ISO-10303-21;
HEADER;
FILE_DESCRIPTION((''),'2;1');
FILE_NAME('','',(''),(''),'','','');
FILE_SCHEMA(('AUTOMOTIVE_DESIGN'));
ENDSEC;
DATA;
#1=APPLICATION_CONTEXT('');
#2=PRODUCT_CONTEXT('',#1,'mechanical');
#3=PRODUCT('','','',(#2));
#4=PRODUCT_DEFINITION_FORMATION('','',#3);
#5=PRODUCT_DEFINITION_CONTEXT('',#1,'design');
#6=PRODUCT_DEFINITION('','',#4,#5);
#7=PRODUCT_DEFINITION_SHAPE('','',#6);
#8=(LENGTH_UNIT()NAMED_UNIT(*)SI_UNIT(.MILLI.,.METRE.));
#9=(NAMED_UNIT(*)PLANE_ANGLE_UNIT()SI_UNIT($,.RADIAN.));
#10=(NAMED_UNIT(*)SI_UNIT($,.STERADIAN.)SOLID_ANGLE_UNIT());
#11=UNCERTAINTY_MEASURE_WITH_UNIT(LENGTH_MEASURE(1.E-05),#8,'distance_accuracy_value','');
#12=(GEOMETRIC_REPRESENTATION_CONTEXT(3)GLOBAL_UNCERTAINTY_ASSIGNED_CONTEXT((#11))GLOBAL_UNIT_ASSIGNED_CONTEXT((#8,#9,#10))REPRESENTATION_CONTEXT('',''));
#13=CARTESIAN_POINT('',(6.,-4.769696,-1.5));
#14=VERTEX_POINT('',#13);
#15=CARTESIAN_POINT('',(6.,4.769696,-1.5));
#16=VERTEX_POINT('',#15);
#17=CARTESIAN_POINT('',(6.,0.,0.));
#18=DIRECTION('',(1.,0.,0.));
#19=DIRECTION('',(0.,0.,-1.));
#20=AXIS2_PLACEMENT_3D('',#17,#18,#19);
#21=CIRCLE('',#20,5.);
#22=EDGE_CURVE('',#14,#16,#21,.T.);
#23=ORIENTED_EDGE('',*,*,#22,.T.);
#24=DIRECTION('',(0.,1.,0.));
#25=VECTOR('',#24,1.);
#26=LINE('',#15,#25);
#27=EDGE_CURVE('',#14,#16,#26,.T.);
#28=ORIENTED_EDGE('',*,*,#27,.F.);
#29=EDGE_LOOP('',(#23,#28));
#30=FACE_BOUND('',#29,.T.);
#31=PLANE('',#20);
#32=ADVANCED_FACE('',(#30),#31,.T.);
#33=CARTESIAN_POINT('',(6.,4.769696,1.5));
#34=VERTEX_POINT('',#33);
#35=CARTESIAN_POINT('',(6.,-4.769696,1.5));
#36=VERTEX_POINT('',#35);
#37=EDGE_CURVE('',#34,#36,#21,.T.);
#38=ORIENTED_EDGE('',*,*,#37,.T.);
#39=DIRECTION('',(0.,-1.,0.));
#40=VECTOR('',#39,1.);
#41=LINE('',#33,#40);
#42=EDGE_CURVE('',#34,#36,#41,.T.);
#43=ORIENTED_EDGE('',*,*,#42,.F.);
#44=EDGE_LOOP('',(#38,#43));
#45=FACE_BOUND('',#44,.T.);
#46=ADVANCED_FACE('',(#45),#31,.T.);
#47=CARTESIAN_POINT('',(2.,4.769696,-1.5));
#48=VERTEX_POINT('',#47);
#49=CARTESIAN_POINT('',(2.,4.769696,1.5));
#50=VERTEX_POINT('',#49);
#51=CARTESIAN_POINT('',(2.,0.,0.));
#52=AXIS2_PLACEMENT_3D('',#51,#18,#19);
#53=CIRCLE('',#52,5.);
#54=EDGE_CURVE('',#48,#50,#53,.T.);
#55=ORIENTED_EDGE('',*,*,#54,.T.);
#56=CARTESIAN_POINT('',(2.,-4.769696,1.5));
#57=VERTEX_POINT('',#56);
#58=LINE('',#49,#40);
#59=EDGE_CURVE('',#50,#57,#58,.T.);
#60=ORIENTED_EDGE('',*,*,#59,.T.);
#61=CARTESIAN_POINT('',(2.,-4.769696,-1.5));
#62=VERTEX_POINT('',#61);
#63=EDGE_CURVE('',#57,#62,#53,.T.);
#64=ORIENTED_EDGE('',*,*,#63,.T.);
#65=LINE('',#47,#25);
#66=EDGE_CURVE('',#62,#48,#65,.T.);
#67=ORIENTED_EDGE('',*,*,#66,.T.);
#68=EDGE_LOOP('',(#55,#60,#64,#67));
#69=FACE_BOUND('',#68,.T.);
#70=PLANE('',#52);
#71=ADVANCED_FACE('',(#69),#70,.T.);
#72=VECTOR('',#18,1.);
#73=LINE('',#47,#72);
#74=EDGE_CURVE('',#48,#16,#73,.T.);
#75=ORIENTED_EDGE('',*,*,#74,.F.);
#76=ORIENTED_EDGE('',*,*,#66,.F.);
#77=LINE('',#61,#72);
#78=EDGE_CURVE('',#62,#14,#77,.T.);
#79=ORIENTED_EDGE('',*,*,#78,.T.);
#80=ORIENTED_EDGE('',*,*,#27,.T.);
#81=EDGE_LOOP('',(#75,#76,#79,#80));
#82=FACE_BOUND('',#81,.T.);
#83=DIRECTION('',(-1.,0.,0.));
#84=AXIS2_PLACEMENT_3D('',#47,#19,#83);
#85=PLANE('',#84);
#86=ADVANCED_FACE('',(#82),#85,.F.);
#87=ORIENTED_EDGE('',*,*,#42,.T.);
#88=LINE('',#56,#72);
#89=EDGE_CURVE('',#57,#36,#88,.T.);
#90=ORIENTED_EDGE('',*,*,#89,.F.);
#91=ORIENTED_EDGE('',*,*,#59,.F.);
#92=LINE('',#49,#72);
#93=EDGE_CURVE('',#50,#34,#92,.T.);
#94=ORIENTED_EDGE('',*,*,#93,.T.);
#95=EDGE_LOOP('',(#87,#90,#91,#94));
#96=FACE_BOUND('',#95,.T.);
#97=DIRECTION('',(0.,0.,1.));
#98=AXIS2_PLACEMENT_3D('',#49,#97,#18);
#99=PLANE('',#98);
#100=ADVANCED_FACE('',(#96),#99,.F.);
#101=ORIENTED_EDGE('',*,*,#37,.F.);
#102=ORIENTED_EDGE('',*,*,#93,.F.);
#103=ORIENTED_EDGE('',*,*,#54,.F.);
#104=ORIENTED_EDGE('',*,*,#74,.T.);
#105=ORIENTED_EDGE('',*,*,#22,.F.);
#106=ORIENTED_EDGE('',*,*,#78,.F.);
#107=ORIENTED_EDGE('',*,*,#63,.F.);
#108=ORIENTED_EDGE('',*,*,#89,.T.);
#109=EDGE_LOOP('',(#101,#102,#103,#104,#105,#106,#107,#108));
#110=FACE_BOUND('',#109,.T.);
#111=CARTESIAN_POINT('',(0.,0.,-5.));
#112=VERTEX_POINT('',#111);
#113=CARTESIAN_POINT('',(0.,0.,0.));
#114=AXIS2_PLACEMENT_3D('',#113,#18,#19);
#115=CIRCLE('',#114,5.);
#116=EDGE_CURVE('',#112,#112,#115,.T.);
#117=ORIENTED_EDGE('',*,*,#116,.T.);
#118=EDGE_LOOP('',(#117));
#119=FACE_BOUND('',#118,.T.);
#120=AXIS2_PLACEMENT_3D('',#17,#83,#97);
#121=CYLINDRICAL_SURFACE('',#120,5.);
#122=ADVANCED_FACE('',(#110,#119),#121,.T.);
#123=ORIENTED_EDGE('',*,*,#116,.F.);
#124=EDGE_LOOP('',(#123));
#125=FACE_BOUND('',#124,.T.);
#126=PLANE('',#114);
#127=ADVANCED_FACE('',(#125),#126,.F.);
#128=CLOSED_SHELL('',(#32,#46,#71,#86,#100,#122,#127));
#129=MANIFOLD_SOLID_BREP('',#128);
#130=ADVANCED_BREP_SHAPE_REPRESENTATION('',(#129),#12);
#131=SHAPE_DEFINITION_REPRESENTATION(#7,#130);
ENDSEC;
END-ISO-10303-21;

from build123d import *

# Parameters (mm, degrees)
SKETCH2_R           = 5
BOSS_EXTRUDE1_DEPTH = 6
CUT_EXTRUDE1_START  = -4
CUT_EXTRUDE1_DEPTH  = 4


with BuildPart() as part:
    # Sketch2 → Boss-Extrude1 (new body)
    with BuildSketch(Plane(origin=(0, 0, 0), x_dir=(0, 0, -1), z_dir=(1, 0, 0))):
        Circle(SKETCH2_R)
    extrude(amount=BOSS_EXTRUDE1_DEPTH)

    # Sketch3 → Cut-Extrude1 (cut)
    with BuildSketch(Plane(origin=(6, 0, 0), x_dir=(0, 0, -1), z_dir=(1, 0, 0)).offset(CUT_EXTRUDE1_START)):
        with BuildLine():
            Line((-1.5, 4.769696007), (-1.5, -4.769696007))
            ThreePointArc((-1.5, -4.769696007), (0, -5), (1.5, -4.769696007))
            Line((1.5, -4.769696007), (1.5, 4.769696007))
            ThreePointArc((1.5, 4.769696007), (0, 5), (-1.5, 4.769696007))
        make_face()
    extrude(amount=CUT_EXTRUDE1_DEPTH, mode=Mode.SUBTRACT)


solid = part.part
